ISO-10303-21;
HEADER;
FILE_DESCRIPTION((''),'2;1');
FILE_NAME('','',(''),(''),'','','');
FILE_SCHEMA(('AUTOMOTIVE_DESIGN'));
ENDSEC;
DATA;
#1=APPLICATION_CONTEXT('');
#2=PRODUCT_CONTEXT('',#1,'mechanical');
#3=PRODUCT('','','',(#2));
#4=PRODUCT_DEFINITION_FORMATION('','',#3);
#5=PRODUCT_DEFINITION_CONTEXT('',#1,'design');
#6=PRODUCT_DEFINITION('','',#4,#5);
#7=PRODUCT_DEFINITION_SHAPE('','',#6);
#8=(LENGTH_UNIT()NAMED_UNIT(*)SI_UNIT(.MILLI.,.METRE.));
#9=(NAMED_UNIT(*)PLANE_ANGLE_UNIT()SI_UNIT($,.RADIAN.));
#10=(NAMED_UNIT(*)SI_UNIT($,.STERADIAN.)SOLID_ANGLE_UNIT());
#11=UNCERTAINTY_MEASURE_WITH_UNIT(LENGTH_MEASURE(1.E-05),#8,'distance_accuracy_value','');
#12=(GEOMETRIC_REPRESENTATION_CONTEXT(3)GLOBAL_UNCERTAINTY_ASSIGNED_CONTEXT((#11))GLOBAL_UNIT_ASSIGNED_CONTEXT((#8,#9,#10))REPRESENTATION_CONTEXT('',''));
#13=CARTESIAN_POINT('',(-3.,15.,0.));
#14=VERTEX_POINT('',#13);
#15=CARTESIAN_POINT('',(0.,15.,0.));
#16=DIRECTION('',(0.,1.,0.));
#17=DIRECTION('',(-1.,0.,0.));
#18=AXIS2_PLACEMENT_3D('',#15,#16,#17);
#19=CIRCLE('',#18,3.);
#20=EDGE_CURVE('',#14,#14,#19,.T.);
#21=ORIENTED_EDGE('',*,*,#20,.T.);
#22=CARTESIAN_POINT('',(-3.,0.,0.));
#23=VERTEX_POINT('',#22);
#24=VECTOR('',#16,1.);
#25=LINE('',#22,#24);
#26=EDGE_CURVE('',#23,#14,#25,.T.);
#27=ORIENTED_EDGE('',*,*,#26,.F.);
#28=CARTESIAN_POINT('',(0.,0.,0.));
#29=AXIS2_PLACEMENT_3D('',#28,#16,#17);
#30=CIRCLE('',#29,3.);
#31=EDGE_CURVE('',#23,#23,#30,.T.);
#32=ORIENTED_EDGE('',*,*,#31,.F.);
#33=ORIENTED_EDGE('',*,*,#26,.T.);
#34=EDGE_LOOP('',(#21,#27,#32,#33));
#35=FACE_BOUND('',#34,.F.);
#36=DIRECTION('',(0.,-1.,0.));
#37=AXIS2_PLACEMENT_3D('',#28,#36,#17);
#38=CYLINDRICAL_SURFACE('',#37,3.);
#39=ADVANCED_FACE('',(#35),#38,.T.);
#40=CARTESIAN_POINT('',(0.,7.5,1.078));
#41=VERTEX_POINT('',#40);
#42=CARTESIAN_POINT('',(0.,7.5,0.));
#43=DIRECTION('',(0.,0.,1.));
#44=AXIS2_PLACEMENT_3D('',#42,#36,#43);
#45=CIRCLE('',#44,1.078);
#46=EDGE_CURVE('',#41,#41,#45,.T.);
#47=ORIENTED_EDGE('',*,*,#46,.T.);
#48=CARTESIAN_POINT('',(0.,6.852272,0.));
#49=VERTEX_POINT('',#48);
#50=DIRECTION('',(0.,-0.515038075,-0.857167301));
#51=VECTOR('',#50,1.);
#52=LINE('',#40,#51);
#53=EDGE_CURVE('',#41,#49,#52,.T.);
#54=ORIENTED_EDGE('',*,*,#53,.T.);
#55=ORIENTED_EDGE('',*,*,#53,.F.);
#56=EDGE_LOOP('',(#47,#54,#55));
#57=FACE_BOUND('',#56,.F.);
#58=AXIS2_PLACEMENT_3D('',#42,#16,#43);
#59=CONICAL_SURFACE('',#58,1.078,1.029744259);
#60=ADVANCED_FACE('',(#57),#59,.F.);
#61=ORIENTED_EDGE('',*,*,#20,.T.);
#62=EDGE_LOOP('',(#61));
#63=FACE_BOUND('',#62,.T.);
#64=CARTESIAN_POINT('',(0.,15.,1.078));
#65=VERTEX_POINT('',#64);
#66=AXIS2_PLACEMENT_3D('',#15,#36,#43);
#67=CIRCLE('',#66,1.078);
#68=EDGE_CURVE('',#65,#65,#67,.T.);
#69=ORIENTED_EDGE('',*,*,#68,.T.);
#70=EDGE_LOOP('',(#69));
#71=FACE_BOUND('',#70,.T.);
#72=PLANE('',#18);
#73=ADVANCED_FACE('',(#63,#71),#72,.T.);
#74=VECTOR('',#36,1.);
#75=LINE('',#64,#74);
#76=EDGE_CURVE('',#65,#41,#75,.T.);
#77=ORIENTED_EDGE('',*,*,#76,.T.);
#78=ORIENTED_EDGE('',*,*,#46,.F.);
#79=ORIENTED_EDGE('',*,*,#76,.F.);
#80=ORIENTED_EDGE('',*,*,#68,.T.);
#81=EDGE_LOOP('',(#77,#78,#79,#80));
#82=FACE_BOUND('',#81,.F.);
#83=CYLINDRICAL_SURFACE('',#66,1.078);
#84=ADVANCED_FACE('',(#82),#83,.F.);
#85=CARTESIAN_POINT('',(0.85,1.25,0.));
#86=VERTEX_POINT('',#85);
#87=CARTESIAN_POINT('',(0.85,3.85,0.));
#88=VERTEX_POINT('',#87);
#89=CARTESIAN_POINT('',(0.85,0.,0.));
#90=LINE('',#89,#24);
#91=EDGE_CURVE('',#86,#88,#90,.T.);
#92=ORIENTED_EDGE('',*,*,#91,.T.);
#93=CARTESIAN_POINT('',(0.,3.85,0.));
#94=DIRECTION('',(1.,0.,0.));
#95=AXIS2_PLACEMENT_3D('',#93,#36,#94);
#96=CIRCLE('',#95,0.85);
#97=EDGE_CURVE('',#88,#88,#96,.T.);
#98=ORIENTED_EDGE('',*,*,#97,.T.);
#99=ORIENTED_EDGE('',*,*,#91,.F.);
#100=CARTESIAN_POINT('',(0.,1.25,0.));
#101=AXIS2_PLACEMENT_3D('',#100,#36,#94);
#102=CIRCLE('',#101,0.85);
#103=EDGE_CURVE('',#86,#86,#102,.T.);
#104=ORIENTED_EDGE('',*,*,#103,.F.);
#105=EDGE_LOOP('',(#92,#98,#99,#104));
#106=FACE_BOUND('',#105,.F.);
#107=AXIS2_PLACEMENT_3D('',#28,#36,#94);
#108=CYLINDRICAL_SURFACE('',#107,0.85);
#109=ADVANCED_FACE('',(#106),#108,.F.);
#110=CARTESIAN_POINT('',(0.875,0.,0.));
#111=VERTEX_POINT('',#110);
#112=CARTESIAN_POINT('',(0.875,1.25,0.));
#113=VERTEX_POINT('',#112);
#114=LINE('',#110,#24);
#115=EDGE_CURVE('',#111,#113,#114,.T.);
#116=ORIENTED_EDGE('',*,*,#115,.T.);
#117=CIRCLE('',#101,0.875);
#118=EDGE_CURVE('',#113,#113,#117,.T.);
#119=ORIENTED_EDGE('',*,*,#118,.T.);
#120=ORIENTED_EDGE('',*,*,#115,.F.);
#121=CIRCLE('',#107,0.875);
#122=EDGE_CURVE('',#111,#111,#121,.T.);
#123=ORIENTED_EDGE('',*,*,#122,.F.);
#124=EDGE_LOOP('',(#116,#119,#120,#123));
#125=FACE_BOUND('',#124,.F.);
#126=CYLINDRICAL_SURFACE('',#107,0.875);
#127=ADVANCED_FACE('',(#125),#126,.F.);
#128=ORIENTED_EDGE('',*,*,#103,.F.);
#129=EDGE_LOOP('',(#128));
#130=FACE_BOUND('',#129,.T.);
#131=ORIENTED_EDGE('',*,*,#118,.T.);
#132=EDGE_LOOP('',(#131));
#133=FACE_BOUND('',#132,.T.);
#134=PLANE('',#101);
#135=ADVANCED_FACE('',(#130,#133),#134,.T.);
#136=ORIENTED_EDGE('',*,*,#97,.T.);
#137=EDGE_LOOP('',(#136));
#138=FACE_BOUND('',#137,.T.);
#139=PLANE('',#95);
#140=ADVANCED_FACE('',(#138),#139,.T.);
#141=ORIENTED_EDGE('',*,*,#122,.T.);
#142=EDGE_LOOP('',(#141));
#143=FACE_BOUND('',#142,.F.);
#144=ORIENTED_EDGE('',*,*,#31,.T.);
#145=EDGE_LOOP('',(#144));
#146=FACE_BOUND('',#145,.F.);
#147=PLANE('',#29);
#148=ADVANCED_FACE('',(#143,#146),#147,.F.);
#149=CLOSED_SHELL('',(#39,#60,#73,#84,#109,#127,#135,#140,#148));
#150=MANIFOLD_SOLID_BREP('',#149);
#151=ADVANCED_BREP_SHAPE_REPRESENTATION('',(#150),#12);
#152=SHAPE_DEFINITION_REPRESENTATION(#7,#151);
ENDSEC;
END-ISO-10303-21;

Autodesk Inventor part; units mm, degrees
ref_plane "YZ Plane" through (0, 0, 0) normal (1, 0, 0) x (0, 1, 0)
ref_plane "XZ Plane" through (0, 0, 0) normal (0, 1, 0) x (-1, 0, 0)
ref_plane "XY Plane" through (0, 0, 0) normal (0, 0, 1) x (1, 0, 0)
sketch "Sketch1" plane through (0, 0, 0) normal (0, 1, 0) x (-1, 0, 0)
  circle A0 centre (0, 0) radius 3
  dimension "d0" = 6
extrude "Extrusion1" add sketch "Sketch1" along normal blind 15
sketch "Sketch2" plane through (0, 15, 0) normal (0, 1, 0) x (1, 0, 0)
  point P0 (0, 0)
  point P1 (0, 0)
hole "Hole1" at (0, 15, 0) direction (0, -1, 0) diameter 2.156 depth 7.5 tip angle 118 thread size "4-40 UNC" class "2B" standard "ANSI Unified Screw Threads"
sketch "Sketch3" plane through (0, 0, 0) normal (0, -1, 0) x (1, 0, 0)
  circle A0 centre (0, 0) radius 1.078 projected
  circle A1 centre (0, 0) radius 0.85
  dimension "d10" = 1.7
extrude "Extrusion2" cut sketch "Sketch3" against normal blind 3.85 contours A1
sketch "Sketch4" plane through (0, 0, 0) normal (0, -1, 0) x (1, 0, 0)
  circle A0 centre (0, 0) radius 0.85 projected
  circle A1 centre (0, 0) radius 3 projected
  circle A2 centre (0, 0) radius 0.85 projected
  circle A3 centre (0, 0) radius 0.875
  dimension "d13" = 1.75
extrude "Extrusion3" cut sketch "Sketch4" against normal blind 1.25 contours A3
properties part number "pin_adapter"
